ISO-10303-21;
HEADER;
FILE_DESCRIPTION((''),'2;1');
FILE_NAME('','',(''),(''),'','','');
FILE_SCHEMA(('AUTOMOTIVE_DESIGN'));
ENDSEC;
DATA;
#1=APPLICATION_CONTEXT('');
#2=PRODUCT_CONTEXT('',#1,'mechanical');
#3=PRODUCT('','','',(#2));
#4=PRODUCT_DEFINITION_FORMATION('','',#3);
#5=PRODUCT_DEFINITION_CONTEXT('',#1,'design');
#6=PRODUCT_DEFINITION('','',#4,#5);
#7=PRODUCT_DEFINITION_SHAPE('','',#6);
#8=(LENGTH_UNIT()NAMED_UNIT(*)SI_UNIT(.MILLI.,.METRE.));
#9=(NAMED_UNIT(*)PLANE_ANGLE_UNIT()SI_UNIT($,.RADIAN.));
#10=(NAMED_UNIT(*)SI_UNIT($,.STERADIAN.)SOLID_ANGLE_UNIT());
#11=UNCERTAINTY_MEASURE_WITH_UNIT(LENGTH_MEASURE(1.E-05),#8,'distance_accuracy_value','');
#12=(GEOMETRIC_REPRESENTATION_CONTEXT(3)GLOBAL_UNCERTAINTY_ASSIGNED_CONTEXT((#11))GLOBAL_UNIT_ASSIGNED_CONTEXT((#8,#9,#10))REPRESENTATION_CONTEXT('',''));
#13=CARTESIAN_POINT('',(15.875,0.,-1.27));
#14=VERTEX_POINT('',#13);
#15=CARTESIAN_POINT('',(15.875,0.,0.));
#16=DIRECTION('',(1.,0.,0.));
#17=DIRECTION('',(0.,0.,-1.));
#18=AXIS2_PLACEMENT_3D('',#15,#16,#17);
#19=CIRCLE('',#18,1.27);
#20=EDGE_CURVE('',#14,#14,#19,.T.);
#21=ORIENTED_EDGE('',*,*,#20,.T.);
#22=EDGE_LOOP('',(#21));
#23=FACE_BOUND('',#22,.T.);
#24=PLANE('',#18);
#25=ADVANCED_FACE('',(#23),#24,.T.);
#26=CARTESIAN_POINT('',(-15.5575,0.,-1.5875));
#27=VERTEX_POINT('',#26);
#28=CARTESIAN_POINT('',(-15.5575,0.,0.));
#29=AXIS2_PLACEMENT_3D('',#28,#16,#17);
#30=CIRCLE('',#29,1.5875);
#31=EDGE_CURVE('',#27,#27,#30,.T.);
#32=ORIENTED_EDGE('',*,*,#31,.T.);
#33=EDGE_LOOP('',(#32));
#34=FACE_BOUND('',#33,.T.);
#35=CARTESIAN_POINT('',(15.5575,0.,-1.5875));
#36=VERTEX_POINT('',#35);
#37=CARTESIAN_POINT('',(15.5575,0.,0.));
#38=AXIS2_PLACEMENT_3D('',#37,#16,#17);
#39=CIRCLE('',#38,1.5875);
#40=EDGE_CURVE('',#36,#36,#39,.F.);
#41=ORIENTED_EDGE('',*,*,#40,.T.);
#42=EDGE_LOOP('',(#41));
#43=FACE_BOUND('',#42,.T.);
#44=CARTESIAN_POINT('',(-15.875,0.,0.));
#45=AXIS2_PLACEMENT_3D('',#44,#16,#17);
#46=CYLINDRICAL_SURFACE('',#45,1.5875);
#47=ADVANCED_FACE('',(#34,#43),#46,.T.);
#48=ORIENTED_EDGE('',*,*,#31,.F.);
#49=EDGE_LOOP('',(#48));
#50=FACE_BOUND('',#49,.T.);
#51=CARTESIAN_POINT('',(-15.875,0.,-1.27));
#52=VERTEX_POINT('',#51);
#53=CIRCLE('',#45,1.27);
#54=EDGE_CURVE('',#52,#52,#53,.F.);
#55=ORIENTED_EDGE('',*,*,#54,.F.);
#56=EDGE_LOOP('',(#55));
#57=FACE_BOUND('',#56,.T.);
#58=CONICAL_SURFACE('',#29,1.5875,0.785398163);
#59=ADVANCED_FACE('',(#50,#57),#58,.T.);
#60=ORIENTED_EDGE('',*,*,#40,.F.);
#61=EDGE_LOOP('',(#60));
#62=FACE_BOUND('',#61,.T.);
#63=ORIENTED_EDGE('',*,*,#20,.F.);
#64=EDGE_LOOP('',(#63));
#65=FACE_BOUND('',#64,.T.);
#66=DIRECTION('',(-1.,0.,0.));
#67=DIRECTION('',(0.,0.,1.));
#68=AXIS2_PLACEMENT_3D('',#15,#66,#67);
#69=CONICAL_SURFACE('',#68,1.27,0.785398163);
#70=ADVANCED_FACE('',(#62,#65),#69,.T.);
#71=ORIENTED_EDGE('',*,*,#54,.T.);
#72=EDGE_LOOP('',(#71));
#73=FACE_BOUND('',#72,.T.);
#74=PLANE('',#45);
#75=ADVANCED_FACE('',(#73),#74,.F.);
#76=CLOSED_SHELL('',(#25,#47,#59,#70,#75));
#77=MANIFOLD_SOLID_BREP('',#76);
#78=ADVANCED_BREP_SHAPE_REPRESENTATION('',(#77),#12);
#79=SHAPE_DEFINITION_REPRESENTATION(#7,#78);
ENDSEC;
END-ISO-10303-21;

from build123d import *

# Parameters (mm, degrees)
SKETCH2_R           = 1.5875
EXTRUDE1_DEPTH      = 15.875
EXTRUDE1_DEPTH_BACK = 15.875
CHAMFER1_SIZE       = 0.3175


with BuildPart() as part:
    # Sketch2 → Extrude1 (new body, two sides)
    with BuildSketch(Plane(origin=(0, 0, 0), x_dir=(0, 0, -1), z_dir=(1, 0, 0))) as extrude1_sk:
        Circle(SKETCH2_R)
    extrude(amount=EXTRUDE1_DEPTH)
    extrude(extrude1_sk.sketch, amount=-EXTRUDE1_DEPTH_BACK)

    # Chamfer1
    chamfer1_edges = [part.edges().sort_by_distance(p)[0] for p in [
        (-15.875, 0, 1.5875),
        (15.875, 0, 1.5875),
    ]]
    chamfer(chamfer1_edges, length=CHAMFER1_SIZE)


solid = part.part
